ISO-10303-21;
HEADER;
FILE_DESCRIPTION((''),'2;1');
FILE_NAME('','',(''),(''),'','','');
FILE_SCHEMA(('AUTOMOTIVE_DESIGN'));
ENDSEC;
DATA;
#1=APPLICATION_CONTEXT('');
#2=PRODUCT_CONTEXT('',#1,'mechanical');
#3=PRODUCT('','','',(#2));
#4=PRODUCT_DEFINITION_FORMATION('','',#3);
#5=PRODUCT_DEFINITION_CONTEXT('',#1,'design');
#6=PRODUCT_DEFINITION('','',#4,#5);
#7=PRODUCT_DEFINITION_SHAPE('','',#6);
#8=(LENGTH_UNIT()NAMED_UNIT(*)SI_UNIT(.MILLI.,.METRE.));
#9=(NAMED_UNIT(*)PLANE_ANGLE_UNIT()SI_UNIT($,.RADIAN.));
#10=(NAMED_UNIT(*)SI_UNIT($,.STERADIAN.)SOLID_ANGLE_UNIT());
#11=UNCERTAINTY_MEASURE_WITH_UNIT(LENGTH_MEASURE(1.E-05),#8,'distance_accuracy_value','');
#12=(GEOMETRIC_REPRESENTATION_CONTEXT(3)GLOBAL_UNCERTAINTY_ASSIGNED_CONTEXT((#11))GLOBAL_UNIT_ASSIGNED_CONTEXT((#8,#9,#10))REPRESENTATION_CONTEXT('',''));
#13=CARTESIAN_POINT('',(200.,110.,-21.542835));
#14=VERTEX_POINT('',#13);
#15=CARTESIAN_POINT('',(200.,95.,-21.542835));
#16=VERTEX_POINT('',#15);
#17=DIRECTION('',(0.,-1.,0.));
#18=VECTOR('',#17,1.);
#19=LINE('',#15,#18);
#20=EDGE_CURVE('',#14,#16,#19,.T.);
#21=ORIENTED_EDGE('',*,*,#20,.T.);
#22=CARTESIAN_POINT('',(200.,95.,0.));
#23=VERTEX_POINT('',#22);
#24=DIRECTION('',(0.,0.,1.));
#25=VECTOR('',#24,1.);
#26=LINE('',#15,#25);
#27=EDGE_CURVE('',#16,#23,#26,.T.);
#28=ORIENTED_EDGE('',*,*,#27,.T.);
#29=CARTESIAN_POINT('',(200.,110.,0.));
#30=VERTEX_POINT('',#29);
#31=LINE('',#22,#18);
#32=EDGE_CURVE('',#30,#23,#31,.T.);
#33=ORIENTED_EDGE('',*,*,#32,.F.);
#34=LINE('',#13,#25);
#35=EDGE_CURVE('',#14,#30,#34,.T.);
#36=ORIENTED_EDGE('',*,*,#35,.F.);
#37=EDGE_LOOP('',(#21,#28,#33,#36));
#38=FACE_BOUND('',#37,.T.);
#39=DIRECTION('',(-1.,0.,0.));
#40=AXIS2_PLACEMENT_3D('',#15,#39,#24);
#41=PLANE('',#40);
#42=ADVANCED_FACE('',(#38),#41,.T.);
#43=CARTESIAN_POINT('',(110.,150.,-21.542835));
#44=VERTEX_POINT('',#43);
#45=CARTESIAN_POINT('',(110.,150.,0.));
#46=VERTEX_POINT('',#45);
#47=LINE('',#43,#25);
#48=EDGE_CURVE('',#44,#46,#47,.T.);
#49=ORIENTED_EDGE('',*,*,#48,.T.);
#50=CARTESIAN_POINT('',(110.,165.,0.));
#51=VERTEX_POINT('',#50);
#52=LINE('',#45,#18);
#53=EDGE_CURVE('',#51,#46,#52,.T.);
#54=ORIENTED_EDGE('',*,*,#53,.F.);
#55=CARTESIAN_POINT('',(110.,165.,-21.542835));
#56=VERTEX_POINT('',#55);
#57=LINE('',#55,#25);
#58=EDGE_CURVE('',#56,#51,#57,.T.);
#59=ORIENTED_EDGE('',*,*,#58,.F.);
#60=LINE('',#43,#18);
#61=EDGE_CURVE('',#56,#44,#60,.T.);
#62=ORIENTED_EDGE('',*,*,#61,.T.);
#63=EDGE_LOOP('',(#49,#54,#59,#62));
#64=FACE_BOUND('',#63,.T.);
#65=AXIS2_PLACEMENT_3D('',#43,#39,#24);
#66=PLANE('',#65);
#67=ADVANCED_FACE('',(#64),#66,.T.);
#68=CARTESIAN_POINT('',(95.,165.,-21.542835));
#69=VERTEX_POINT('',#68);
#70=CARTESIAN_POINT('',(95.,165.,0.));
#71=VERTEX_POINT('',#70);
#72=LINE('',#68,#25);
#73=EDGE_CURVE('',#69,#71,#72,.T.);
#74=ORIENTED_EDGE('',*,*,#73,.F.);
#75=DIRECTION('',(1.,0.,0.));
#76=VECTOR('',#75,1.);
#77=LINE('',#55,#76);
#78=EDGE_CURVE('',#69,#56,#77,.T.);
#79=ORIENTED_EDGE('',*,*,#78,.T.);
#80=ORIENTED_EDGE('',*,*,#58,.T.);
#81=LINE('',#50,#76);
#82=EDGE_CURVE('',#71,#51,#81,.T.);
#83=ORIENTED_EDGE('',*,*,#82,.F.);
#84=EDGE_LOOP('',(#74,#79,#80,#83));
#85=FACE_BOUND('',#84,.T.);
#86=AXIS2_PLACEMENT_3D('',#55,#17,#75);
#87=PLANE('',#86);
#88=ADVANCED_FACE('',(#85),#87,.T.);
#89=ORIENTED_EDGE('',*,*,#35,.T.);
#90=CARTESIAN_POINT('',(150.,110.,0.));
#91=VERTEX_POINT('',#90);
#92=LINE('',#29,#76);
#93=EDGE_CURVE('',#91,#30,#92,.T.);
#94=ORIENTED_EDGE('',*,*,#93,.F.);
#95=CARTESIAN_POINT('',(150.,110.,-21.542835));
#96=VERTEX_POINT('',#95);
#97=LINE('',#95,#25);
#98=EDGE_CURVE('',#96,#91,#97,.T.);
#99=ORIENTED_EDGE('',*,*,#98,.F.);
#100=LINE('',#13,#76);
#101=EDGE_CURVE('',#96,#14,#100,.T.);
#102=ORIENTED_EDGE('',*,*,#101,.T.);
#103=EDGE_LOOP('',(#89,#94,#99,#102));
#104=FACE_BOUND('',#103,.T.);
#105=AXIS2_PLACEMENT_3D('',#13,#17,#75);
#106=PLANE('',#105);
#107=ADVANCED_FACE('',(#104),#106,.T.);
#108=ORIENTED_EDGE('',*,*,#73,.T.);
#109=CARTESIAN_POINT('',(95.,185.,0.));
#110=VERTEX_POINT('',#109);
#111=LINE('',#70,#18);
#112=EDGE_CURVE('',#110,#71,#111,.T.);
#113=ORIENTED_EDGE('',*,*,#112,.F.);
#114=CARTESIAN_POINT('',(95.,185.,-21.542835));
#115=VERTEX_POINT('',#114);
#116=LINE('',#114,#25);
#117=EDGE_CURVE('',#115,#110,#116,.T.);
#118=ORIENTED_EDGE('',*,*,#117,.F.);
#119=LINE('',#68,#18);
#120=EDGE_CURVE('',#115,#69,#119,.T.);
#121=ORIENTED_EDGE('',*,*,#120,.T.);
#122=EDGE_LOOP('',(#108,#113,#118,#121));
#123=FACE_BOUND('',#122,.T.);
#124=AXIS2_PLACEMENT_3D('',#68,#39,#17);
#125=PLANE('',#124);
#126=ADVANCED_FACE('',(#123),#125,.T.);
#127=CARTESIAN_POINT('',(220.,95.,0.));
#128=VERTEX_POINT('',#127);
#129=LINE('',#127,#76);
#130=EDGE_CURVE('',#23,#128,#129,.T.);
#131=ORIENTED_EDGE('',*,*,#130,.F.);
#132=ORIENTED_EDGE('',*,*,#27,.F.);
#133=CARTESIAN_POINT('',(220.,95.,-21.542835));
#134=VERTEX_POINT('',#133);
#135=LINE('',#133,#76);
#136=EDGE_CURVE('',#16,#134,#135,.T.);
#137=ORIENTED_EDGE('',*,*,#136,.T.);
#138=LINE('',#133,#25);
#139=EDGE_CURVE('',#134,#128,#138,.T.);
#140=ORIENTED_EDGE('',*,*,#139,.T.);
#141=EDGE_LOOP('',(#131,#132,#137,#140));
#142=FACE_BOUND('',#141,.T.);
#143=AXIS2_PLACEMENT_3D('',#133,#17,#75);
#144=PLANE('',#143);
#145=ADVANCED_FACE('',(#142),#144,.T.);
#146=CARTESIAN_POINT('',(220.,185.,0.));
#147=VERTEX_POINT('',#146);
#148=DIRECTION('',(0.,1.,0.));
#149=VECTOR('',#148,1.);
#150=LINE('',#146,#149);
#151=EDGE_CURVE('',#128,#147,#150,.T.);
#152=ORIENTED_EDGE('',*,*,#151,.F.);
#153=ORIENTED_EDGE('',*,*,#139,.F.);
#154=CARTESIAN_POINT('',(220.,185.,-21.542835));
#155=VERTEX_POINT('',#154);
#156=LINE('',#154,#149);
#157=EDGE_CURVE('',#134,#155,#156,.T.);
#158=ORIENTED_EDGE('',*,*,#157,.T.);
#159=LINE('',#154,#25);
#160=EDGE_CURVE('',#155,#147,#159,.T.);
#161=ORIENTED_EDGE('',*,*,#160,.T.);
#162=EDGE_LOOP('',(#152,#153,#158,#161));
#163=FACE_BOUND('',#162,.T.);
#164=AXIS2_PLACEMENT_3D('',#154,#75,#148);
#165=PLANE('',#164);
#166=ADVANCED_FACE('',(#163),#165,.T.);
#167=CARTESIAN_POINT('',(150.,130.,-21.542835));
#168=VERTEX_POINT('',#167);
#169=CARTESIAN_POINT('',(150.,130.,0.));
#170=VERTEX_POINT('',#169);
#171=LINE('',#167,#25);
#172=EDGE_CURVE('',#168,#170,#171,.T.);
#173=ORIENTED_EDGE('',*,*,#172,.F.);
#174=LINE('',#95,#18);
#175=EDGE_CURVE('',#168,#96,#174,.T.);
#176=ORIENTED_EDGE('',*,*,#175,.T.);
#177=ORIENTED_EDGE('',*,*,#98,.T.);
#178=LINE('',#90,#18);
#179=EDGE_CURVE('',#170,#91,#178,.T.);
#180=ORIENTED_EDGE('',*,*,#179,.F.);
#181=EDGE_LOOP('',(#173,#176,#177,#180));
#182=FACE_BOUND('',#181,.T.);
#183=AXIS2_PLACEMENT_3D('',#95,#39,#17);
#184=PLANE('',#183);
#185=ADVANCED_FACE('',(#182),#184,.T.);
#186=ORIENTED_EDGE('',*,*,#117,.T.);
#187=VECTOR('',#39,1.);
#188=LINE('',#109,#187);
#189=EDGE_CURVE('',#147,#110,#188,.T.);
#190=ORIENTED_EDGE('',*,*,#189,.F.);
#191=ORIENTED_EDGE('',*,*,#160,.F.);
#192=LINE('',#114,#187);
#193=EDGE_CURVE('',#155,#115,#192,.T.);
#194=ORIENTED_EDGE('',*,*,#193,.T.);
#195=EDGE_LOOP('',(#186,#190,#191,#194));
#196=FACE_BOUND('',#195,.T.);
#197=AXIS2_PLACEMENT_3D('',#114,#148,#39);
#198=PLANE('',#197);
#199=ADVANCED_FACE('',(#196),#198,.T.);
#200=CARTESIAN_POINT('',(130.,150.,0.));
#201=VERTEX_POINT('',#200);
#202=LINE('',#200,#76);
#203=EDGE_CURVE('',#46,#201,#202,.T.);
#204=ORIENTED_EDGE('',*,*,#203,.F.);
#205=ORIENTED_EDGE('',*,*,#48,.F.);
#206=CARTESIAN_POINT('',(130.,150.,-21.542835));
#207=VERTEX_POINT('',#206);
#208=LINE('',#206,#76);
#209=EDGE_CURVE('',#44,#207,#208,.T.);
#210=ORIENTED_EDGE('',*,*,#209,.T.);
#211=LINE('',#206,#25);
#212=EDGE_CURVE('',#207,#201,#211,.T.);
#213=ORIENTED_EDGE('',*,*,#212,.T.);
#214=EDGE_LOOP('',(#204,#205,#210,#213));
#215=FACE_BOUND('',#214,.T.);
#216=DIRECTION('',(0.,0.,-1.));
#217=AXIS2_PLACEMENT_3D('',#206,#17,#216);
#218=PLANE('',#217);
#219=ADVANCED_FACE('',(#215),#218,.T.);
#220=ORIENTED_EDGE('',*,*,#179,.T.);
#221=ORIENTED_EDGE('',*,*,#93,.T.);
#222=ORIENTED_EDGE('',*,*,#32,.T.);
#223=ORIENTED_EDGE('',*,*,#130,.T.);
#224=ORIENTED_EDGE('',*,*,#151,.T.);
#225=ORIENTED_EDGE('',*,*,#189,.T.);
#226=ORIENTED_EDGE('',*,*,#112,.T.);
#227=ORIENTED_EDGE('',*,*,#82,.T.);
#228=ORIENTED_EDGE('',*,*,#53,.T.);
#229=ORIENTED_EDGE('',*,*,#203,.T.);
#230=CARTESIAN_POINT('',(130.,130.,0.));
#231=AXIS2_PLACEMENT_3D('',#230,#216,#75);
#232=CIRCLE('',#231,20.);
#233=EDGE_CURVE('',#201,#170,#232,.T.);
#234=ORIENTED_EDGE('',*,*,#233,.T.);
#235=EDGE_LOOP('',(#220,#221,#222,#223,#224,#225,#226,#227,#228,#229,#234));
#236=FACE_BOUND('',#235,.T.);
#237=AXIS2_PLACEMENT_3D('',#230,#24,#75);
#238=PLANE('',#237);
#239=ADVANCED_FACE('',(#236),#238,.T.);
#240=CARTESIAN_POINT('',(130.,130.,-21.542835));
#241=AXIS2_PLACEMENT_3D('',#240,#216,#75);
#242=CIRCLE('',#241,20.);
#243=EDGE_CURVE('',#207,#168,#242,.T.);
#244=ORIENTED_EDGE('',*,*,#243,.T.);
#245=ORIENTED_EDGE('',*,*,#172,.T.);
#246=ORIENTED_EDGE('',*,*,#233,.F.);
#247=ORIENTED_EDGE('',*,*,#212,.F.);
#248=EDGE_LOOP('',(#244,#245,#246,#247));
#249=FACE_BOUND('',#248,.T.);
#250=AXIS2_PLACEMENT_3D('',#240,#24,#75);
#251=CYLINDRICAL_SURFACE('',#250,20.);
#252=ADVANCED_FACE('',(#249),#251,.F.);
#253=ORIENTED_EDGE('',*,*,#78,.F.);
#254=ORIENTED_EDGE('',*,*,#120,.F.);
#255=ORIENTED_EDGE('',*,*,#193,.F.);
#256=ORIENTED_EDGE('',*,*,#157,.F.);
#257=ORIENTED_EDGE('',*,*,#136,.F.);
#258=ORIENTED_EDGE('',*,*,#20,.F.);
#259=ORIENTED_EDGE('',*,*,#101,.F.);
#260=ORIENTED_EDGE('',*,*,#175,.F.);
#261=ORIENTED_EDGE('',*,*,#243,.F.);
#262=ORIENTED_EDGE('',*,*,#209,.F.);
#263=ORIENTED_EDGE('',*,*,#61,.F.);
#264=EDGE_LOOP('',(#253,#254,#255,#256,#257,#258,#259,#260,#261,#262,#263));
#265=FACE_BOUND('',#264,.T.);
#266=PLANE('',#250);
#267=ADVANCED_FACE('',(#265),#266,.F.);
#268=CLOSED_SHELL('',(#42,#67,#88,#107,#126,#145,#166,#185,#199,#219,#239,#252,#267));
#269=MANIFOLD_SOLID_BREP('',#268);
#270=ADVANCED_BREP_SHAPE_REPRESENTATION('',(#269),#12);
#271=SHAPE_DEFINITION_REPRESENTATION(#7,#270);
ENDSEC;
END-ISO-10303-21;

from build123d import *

# Parameters (mm, degrees)
BOSS_EXTRUDE1_DEPTH = 21.542835


with BuildPart() as part:
    # Sketch1 → Boss-Extrude1 (new body)
    with BuildSketch(Plane.XY):
        with BuildLine():
            Line((150, 110), (150, 130))
            ThreePointArc((150, 130), (144.142135624, 144.142135624), (130, 150))
            Line((130, 150), (110, 150))
            Line((110, 150), (110, 165))
            Line((110, 165), (95, 165))
            Line((95, 165), (95, 185))
            Line((95, 185), (220, 185))
            Line((220, 185), (220, 95))
            Line((220, 95), (200, 95))
            Line((200, 95), (200, 110))
            Line((200, 110), (150, 110))
        make_face()
    extrude(amount=-BOSS_EXTRUDE1_DEPTH)


solid = part.part
